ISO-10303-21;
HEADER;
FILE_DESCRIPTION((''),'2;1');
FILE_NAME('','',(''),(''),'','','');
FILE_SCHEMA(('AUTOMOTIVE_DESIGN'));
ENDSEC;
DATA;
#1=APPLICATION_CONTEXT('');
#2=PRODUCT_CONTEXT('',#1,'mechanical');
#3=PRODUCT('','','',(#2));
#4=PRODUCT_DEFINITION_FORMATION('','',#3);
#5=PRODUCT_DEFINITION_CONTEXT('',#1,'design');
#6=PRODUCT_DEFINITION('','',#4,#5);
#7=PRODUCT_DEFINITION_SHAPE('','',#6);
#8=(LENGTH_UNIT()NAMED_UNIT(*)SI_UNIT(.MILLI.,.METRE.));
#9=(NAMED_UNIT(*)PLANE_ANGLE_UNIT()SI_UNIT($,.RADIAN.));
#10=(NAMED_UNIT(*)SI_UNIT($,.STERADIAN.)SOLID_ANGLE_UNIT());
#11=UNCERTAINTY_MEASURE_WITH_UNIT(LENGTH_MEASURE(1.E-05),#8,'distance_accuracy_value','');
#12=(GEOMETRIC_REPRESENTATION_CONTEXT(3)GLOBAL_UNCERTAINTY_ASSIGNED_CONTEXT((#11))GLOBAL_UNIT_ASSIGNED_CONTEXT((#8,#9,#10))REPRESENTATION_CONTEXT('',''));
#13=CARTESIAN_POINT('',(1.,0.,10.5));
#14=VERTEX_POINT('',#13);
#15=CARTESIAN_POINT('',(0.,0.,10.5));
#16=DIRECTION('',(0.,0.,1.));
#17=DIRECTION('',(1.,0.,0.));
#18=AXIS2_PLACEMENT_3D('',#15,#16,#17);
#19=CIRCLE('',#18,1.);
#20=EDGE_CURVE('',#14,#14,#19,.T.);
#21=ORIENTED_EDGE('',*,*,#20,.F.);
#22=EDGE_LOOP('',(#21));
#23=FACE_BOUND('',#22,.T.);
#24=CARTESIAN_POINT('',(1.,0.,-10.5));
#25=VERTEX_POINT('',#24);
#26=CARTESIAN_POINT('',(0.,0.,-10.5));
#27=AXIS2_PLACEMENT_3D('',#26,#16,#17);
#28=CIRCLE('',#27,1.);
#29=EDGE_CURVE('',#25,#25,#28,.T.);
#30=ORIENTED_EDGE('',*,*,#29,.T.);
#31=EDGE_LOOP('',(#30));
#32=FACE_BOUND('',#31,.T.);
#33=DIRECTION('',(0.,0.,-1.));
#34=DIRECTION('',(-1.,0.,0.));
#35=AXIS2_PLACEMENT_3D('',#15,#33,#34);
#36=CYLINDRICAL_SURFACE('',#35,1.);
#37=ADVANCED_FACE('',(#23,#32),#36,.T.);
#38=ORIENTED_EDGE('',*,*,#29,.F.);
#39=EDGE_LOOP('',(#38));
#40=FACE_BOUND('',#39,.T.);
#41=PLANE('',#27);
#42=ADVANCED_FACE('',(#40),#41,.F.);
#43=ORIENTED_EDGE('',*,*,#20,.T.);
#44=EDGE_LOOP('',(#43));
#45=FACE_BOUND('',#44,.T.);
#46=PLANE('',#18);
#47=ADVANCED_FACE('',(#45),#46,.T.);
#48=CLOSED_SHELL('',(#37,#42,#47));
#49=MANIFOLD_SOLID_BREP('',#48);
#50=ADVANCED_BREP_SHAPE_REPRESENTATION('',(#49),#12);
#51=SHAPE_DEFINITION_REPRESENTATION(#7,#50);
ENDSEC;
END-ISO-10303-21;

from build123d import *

# Parameters (mm, degrees)
SKETCH1_R           = 1
BOSS_EXTRUDE1_DEPTH = 10.5


with BuildPart() as part:
    # Sketch1 → Boss-Extrude1 (new body, symmetric)
    with BuildSketch(Plane.XY):
        Circle(SKETCH1_R)
    extrude(amount=BOSS_EXTRUDE1_DEPTH, both=True)


solid = part.part
